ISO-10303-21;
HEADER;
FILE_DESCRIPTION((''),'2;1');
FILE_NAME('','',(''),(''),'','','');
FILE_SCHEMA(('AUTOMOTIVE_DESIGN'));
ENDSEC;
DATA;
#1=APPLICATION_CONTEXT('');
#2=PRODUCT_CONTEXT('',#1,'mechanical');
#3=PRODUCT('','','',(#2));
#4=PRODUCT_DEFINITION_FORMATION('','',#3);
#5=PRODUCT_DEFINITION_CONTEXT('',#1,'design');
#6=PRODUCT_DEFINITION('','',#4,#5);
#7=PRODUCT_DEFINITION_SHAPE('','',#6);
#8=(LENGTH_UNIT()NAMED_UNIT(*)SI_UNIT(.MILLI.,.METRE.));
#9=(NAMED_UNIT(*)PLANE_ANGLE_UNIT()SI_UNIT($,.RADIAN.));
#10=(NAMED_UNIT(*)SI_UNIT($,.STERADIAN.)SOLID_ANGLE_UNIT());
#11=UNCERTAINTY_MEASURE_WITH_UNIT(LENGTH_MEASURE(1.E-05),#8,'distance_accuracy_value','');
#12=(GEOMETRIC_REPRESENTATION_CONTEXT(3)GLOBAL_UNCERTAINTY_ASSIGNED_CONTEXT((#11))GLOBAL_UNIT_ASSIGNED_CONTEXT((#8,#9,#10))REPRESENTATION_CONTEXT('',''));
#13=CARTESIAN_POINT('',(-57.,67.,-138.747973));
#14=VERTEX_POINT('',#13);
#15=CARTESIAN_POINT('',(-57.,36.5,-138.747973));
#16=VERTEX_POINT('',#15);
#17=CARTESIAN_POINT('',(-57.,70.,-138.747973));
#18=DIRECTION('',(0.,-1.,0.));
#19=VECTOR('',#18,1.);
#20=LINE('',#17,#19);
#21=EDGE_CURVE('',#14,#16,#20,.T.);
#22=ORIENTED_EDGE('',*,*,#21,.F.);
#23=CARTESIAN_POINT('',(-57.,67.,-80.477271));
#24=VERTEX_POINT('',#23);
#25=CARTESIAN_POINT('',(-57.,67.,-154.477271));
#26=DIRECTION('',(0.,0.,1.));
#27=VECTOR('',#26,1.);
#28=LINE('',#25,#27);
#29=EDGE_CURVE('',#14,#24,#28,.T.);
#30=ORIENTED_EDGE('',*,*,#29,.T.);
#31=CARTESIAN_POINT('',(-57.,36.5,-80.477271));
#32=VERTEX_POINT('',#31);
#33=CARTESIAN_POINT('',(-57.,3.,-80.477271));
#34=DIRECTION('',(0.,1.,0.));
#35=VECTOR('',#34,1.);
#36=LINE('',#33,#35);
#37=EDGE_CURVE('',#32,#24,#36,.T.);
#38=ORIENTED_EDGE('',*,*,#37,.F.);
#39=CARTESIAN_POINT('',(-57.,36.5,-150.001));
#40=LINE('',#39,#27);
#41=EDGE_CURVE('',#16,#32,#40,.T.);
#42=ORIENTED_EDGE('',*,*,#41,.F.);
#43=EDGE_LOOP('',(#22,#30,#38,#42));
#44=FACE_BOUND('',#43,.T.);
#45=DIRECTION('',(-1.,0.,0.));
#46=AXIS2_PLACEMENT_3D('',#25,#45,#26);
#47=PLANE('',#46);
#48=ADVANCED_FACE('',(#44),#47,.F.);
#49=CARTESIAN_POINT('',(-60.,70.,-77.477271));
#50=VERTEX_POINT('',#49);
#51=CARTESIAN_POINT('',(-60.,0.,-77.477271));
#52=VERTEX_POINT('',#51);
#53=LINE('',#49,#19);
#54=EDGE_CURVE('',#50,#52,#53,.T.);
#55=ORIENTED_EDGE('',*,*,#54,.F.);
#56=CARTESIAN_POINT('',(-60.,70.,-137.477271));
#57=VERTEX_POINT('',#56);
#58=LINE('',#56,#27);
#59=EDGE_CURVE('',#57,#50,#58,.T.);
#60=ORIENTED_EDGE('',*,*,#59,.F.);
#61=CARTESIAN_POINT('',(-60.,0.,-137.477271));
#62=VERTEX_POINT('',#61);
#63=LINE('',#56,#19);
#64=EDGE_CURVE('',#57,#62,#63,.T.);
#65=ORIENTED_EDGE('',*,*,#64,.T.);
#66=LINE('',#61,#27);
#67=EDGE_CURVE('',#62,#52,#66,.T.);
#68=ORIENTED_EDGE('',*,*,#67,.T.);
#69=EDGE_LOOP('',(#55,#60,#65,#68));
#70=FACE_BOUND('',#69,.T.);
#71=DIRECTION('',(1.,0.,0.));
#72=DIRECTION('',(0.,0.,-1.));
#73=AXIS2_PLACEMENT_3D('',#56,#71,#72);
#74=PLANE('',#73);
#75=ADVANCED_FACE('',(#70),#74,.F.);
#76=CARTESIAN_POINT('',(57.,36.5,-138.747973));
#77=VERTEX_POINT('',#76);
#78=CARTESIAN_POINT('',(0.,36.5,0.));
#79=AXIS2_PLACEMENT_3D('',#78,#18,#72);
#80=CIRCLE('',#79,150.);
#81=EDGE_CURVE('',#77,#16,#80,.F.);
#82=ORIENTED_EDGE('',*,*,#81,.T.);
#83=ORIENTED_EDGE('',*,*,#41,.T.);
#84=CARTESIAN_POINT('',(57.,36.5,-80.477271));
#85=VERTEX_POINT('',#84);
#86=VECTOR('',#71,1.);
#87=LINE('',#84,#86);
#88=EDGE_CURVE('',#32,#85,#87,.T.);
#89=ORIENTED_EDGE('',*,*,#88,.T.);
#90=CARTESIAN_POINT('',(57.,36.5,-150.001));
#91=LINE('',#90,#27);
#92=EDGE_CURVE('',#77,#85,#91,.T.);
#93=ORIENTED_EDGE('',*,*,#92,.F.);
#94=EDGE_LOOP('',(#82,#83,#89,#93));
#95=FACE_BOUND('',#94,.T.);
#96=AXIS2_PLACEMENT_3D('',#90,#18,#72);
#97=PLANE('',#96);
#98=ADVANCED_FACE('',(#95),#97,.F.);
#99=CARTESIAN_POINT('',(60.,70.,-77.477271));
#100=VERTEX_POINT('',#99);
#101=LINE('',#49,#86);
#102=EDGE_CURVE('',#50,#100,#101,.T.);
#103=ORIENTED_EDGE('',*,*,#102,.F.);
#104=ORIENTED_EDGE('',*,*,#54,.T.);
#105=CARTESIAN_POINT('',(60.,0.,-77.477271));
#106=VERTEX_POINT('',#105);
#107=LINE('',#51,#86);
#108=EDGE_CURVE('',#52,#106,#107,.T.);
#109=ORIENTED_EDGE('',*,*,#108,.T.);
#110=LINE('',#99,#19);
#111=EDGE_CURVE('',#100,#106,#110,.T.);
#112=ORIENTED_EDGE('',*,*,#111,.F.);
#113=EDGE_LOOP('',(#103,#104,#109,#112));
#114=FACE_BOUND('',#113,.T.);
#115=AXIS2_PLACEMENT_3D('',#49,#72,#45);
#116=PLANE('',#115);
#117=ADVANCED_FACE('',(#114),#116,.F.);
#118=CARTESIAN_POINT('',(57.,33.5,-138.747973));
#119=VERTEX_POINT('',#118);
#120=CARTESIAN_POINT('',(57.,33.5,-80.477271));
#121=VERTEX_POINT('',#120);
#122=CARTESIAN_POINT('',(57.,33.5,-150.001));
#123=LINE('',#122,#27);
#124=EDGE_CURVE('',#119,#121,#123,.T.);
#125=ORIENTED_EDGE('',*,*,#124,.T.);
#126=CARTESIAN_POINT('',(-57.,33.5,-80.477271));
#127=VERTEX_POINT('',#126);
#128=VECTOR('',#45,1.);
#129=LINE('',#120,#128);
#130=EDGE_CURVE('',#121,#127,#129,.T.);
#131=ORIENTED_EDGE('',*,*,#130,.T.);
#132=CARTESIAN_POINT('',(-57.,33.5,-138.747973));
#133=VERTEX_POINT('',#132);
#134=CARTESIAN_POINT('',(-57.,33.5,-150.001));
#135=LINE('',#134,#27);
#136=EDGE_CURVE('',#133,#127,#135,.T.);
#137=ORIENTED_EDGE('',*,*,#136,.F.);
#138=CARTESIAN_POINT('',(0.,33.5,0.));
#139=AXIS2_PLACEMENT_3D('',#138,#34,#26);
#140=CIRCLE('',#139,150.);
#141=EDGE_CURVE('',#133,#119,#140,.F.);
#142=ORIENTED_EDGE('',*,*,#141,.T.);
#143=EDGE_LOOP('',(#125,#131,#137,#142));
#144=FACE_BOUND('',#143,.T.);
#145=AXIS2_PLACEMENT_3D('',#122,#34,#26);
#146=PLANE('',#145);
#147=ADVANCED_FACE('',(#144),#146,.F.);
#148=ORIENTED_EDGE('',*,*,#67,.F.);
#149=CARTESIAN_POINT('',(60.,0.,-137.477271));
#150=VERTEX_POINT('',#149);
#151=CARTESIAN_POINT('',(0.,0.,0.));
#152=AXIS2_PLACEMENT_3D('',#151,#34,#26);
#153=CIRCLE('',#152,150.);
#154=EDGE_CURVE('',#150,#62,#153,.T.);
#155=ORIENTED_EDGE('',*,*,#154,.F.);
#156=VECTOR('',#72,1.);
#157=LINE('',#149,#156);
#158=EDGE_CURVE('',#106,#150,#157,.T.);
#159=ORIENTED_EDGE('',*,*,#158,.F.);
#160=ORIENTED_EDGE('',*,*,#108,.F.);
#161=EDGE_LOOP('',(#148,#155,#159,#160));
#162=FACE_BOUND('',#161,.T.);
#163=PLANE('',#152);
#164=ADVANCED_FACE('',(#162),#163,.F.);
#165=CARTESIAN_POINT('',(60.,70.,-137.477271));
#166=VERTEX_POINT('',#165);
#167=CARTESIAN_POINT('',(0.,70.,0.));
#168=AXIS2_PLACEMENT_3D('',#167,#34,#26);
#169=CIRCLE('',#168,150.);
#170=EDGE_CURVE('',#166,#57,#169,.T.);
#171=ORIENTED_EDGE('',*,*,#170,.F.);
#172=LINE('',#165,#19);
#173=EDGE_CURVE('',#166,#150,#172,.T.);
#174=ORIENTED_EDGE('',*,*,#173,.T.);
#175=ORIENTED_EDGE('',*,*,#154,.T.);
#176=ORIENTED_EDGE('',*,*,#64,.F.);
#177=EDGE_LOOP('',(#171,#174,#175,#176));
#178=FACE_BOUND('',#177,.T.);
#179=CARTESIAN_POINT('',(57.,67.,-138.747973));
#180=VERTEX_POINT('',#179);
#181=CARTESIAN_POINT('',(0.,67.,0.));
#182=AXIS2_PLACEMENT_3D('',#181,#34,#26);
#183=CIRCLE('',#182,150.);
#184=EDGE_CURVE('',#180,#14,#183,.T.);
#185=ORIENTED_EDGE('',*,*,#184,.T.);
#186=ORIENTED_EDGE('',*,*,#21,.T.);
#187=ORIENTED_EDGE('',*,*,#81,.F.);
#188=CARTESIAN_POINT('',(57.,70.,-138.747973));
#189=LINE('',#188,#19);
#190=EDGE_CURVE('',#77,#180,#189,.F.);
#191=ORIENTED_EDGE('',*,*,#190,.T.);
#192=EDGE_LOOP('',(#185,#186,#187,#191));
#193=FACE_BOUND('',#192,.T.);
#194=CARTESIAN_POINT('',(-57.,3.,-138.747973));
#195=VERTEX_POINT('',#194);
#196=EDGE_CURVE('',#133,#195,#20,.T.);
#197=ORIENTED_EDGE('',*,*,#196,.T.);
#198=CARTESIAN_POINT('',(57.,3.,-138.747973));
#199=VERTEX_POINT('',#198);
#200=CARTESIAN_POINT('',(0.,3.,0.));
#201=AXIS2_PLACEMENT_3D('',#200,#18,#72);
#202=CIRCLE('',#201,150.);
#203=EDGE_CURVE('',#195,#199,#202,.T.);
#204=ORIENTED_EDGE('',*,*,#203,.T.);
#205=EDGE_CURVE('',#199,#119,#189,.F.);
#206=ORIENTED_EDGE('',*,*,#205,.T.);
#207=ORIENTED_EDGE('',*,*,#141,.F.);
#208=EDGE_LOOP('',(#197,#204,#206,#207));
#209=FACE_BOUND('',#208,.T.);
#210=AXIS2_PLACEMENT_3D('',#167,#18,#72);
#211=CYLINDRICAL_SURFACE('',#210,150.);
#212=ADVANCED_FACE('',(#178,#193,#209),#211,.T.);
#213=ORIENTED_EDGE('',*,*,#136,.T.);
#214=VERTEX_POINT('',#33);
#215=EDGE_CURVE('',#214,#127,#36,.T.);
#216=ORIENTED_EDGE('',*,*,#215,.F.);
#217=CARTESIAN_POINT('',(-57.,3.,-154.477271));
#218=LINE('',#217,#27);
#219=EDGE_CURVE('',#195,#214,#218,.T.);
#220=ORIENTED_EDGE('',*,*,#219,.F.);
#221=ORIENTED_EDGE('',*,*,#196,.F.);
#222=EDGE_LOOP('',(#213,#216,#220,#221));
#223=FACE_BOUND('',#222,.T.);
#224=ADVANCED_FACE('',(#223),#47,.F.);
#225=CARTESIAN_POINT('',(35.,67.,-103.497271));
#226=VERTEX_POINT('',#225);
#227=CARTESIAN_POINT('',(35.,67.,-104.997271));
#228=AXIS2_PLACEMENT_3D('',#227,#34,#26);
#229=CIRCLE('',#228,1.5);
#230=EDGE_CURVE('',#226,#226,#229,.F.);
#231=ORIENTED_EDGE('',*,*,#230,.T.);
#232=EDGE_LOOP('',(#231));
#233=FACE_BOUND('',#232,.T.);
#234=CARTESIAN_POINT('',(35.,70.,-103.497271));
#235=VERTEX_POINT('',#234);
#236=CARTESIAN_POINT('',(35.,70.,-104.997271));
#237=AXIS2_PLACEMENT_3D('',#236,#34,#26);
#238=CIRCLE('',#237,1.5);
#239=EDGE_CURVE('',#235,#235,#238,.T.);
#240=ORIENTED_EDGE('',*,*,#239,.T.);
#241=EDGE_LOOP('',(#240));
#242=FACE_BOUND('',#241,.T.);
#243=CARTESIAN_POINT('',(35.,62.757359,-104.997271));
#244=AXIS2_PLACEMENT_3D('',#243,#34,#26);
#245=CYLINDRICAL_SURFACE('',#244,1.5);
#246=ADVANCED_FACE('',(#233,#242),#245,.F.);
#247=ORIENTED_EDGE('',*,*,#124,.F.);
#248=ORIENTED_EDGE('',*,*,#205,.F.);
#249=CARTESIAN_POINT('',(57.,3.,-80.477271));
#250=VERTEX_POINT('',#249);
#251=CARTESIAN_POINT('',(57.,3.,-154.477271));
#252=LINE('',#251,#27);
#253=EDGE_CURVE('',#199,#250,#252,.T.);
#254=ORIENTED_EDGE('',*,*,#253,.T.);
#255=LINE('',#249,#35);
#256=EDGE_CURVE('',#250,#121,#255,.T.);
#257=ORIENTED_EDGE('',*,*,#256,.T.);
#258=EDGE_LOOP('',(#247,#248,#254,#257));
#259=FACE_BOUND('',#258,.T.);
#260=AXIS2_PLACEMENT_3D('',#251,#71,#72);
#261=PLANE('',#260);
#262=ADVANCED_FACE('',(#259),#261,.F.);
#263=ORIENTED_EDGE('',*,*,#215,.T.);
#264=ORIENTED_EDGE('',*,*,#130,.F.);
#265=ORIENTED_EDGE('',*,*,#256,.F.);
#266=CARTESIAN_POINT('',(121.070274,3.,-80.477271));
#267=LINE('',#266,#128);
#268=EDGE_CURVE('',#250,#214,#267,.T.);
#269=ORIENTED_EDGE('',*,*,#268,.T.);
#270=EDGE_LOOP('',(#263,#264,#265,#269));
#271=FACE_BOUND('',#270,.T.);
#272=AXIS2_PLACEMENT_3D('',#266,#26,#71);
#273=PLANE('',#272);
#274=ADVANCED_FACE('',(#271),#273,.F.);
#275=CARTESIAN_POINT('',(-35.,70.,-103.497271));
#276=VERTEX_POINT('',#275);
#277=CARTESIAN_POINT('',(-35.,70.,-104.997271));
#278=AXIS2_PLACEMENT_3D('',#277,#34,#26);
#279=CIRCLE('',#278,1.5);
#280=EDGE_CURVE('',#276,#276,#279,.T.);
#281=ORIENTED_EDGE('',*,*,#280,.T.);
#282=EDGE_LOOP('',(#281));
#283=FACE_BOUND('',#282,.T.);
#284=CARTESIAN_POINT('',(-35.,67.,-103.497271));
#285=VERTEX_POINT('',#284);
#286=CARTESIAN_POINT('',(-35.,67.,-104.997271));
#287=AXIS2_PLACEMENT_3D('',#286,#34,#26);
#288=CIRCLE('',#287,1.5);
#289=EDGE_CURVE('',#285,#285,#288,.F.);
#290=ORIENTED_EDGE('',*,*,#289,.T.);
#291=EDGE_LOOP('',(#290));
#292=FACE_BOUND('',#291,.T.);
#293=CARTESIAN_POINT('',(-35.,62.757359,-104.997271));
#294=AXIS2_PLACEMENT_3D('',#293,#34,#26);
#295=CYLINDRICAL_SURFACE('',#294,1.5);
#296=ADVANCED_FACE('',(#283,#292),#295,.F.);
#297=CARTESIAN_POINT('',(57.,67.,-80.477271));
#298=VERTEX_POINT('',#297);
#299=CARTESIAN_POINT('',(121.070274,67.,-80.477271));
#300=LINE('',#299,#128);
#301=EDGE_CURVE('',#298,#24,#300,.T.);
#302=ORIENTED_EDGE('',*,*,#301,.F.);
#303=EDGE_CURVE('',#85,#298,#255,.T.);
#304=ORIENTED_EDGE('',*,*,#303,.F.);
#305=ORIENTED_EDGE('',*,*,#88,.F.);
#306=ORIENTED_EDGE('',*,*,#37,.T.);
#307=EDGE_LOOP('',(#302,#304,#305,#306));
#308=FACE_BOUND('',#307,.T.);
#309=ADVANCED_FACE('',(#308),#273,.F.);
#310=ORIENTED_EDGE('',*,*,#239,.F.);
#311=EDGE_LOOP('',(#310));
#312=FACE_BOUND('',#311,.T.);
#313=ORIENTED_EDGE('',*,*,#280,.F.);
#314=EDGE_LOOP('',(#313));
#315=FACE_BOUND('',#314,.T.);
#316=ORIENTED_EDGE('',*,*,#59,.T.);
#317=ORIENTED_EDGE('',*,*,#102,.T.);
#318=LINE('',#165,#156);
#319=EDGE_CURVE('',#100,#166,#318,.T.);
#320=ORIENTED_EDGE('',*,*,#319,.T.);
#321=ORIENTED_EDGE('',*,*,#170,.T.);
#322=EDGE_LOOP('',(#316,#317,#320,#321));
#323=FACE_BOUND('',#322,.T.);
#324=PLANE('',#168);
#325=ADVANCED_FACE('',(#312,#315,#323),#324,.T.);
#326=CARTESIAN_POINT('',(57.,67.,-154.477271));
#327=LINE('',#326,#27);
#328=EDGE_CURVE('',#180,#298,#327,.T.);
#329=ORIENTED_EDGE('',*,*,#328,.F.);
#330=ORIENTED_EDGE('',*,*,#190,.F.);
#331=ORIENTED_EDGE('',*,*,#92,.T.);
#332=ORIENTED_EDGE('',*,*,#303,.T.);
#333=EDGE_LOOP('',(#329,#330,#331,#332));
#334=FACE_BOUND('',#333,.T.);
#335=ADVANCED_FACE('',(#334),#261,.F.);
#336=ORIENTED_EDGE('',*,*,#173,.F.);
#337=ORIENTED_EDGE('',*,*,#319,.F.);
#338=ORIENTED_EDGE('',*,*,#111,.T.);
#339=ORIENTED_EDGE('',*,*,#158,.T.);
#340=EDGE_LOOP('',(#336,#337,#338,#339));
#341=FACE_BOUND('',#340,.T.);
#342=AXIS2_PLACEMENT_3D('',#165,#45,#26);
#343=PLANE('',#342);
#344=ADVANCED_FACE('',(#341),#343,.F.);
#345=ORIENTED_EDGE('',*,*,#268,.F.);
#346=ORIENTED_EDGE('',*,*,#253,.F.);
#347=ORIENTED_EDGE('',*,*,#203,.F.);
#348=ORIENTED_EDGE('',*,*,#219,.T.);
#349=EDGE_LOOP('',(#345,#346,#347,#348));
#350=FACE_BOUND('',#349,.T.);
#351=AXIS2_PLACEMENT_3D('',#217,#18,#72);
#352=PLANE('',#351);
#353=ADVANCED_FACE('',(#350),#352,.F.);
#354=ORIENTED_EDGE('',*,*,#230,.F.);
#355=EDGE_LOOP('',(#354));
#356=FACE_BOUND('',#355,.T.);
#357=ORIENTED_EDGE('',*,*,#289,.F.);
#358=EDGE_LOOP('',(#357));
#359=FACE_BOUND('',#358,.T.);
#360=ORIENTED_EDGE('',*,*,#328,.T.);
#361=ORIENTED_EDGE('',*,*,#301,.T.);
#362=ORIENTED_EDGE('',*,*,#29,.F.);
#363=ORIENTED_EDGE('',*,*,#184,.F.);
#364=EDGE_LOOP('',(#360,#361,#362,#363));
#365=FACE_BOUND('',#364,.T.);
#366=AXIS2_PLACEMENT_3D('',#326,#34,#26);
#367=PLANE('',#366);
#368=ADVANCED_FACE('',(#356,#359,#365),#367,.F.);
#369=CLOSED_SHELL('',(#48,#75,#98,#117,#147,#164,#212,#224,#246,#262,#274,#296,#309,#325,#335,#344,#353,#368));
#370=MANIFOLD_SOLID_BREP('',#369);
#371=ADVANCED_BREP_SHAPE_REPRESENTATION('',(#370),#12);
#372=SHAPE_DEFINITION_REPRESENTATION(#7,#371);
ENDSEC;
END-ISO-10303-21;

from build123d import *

# Parameters (mm, degrees)
BOSS_EXTRUDE1_DEPTH      = 70
SKETCH7_W                = 114
SKETCH7_H                = 64
CUT_EXTRUDE2_DEPTH       = 77
SKETCH8_W                = 3
SKETCH8_H                = 64
BOSS_EXTRUDE3_DEPTH      = 114
BOSS_EXTRUDE4_REACH      = 117.47
BOSS_EXTRUDE4_END_RADIUS = 150
SKETCH9_W                = 114
SKETCH9_H                = 3
SKETCH10_R               = 1.5
CUT_EXTRUDE3_DEPTH       = 3


with BuildPart() as part:
    # Sketch1 → Boss-Extrude1 (new body)
    with BuildSketch(Plane(origin=(0, 0, 0), x_dir=(1, 0, 0), z_dir=(0, 1, 0))):
        with BuildLine():
            Line((-60, 137.477270849), (-60, 77.477270849))
            Line((-60, 77.477270849), (60, 77.477270849))
            Line((60, 77.477270849), (60, 137.477270849))
            ThreePointArc((60, 137.477270849), (0, 150), (-60, 137.477270849))
        make_face()
    extrude(amount=BOSS_EXTRUDE1_DEPTH)

    # Sketch7 → Cut-Extrude2 (cut)
    with BuildSketch(Plane.XY.offset(-77.477270849)):
        with Locations((0, 35)):
            Rectangle(SKETCH7_W, SKETCH7_H)
    extrude(amount=-CUT_EXTRUDE2_DEPTH, mode=Mode.SUBTRACT)

    # Sketch8 → Boss-Extrude3 (add)
    with BuildSketch(Plane(origin=(-57, 0, 0), x_dir=(0, 0, -1), z_dir=(1, 0, 0))):
        with Locations((78.977270849, 35)):
            Rectangle(SKETCH8_W, SKETCH8_H)
    extrude(amount=BOSS_EXTRUDE3_DEPTH)

    # Boss-Extrude4: up to this cylinder (the profile starts inside it)
    boss_extrude4_end = Plane(origin=(0, 35, 0), z_dir=(0, -1, 0)) * Cylinder(BOSS_EXTRUDE4_END_RADIUS, 535.94, mode=Mode.PRIVATE)
    # Sketch9 → Boss-Extrude4 (add, up to the surface)
    with BuildSketch(Plane(origin=(0, 0, -80.477270849), x_dir=(-1, 0, 0), z_dir=(0, 0, -1)), mode=Mode.PRIVATE) as boss_extrude4_sk1:
        with Locations((0, 35)):
            Rectangle(SKETCH9_W, SKETCH9_H)
    boss_extrude4_tool1 = extrude(boss_extrude4_sk1.sketch, amount=BOSS_EXTRUDE4_REACH, mode=Mode.PRIVATE) & boss_extrude4_end
    add(boss_extrude4_tool1.solids().sort_by_distance((0, 35, -80.477271))[0])

    # Sketch10 → Cut-Extrude3 (cut)
    with BuildSketch(Plane(origin=(0, 70, 0), x_dir=(1, 0, 0), z_dir=(0, 1, 0))):
        with Locations(Location((-35, 104.997270849, 0), (0, 0, 270))):
            Circle(SKETCH10_R)
        with Locations(Location((35, 104.997270849, 0), (0, 0, 270))):
            Circle(SKETCH10_R)
    extrude(amount=-CUT_EXTRUDE3_DEPTH, mode=Mode.SUBTRACT)


solid = part.part
